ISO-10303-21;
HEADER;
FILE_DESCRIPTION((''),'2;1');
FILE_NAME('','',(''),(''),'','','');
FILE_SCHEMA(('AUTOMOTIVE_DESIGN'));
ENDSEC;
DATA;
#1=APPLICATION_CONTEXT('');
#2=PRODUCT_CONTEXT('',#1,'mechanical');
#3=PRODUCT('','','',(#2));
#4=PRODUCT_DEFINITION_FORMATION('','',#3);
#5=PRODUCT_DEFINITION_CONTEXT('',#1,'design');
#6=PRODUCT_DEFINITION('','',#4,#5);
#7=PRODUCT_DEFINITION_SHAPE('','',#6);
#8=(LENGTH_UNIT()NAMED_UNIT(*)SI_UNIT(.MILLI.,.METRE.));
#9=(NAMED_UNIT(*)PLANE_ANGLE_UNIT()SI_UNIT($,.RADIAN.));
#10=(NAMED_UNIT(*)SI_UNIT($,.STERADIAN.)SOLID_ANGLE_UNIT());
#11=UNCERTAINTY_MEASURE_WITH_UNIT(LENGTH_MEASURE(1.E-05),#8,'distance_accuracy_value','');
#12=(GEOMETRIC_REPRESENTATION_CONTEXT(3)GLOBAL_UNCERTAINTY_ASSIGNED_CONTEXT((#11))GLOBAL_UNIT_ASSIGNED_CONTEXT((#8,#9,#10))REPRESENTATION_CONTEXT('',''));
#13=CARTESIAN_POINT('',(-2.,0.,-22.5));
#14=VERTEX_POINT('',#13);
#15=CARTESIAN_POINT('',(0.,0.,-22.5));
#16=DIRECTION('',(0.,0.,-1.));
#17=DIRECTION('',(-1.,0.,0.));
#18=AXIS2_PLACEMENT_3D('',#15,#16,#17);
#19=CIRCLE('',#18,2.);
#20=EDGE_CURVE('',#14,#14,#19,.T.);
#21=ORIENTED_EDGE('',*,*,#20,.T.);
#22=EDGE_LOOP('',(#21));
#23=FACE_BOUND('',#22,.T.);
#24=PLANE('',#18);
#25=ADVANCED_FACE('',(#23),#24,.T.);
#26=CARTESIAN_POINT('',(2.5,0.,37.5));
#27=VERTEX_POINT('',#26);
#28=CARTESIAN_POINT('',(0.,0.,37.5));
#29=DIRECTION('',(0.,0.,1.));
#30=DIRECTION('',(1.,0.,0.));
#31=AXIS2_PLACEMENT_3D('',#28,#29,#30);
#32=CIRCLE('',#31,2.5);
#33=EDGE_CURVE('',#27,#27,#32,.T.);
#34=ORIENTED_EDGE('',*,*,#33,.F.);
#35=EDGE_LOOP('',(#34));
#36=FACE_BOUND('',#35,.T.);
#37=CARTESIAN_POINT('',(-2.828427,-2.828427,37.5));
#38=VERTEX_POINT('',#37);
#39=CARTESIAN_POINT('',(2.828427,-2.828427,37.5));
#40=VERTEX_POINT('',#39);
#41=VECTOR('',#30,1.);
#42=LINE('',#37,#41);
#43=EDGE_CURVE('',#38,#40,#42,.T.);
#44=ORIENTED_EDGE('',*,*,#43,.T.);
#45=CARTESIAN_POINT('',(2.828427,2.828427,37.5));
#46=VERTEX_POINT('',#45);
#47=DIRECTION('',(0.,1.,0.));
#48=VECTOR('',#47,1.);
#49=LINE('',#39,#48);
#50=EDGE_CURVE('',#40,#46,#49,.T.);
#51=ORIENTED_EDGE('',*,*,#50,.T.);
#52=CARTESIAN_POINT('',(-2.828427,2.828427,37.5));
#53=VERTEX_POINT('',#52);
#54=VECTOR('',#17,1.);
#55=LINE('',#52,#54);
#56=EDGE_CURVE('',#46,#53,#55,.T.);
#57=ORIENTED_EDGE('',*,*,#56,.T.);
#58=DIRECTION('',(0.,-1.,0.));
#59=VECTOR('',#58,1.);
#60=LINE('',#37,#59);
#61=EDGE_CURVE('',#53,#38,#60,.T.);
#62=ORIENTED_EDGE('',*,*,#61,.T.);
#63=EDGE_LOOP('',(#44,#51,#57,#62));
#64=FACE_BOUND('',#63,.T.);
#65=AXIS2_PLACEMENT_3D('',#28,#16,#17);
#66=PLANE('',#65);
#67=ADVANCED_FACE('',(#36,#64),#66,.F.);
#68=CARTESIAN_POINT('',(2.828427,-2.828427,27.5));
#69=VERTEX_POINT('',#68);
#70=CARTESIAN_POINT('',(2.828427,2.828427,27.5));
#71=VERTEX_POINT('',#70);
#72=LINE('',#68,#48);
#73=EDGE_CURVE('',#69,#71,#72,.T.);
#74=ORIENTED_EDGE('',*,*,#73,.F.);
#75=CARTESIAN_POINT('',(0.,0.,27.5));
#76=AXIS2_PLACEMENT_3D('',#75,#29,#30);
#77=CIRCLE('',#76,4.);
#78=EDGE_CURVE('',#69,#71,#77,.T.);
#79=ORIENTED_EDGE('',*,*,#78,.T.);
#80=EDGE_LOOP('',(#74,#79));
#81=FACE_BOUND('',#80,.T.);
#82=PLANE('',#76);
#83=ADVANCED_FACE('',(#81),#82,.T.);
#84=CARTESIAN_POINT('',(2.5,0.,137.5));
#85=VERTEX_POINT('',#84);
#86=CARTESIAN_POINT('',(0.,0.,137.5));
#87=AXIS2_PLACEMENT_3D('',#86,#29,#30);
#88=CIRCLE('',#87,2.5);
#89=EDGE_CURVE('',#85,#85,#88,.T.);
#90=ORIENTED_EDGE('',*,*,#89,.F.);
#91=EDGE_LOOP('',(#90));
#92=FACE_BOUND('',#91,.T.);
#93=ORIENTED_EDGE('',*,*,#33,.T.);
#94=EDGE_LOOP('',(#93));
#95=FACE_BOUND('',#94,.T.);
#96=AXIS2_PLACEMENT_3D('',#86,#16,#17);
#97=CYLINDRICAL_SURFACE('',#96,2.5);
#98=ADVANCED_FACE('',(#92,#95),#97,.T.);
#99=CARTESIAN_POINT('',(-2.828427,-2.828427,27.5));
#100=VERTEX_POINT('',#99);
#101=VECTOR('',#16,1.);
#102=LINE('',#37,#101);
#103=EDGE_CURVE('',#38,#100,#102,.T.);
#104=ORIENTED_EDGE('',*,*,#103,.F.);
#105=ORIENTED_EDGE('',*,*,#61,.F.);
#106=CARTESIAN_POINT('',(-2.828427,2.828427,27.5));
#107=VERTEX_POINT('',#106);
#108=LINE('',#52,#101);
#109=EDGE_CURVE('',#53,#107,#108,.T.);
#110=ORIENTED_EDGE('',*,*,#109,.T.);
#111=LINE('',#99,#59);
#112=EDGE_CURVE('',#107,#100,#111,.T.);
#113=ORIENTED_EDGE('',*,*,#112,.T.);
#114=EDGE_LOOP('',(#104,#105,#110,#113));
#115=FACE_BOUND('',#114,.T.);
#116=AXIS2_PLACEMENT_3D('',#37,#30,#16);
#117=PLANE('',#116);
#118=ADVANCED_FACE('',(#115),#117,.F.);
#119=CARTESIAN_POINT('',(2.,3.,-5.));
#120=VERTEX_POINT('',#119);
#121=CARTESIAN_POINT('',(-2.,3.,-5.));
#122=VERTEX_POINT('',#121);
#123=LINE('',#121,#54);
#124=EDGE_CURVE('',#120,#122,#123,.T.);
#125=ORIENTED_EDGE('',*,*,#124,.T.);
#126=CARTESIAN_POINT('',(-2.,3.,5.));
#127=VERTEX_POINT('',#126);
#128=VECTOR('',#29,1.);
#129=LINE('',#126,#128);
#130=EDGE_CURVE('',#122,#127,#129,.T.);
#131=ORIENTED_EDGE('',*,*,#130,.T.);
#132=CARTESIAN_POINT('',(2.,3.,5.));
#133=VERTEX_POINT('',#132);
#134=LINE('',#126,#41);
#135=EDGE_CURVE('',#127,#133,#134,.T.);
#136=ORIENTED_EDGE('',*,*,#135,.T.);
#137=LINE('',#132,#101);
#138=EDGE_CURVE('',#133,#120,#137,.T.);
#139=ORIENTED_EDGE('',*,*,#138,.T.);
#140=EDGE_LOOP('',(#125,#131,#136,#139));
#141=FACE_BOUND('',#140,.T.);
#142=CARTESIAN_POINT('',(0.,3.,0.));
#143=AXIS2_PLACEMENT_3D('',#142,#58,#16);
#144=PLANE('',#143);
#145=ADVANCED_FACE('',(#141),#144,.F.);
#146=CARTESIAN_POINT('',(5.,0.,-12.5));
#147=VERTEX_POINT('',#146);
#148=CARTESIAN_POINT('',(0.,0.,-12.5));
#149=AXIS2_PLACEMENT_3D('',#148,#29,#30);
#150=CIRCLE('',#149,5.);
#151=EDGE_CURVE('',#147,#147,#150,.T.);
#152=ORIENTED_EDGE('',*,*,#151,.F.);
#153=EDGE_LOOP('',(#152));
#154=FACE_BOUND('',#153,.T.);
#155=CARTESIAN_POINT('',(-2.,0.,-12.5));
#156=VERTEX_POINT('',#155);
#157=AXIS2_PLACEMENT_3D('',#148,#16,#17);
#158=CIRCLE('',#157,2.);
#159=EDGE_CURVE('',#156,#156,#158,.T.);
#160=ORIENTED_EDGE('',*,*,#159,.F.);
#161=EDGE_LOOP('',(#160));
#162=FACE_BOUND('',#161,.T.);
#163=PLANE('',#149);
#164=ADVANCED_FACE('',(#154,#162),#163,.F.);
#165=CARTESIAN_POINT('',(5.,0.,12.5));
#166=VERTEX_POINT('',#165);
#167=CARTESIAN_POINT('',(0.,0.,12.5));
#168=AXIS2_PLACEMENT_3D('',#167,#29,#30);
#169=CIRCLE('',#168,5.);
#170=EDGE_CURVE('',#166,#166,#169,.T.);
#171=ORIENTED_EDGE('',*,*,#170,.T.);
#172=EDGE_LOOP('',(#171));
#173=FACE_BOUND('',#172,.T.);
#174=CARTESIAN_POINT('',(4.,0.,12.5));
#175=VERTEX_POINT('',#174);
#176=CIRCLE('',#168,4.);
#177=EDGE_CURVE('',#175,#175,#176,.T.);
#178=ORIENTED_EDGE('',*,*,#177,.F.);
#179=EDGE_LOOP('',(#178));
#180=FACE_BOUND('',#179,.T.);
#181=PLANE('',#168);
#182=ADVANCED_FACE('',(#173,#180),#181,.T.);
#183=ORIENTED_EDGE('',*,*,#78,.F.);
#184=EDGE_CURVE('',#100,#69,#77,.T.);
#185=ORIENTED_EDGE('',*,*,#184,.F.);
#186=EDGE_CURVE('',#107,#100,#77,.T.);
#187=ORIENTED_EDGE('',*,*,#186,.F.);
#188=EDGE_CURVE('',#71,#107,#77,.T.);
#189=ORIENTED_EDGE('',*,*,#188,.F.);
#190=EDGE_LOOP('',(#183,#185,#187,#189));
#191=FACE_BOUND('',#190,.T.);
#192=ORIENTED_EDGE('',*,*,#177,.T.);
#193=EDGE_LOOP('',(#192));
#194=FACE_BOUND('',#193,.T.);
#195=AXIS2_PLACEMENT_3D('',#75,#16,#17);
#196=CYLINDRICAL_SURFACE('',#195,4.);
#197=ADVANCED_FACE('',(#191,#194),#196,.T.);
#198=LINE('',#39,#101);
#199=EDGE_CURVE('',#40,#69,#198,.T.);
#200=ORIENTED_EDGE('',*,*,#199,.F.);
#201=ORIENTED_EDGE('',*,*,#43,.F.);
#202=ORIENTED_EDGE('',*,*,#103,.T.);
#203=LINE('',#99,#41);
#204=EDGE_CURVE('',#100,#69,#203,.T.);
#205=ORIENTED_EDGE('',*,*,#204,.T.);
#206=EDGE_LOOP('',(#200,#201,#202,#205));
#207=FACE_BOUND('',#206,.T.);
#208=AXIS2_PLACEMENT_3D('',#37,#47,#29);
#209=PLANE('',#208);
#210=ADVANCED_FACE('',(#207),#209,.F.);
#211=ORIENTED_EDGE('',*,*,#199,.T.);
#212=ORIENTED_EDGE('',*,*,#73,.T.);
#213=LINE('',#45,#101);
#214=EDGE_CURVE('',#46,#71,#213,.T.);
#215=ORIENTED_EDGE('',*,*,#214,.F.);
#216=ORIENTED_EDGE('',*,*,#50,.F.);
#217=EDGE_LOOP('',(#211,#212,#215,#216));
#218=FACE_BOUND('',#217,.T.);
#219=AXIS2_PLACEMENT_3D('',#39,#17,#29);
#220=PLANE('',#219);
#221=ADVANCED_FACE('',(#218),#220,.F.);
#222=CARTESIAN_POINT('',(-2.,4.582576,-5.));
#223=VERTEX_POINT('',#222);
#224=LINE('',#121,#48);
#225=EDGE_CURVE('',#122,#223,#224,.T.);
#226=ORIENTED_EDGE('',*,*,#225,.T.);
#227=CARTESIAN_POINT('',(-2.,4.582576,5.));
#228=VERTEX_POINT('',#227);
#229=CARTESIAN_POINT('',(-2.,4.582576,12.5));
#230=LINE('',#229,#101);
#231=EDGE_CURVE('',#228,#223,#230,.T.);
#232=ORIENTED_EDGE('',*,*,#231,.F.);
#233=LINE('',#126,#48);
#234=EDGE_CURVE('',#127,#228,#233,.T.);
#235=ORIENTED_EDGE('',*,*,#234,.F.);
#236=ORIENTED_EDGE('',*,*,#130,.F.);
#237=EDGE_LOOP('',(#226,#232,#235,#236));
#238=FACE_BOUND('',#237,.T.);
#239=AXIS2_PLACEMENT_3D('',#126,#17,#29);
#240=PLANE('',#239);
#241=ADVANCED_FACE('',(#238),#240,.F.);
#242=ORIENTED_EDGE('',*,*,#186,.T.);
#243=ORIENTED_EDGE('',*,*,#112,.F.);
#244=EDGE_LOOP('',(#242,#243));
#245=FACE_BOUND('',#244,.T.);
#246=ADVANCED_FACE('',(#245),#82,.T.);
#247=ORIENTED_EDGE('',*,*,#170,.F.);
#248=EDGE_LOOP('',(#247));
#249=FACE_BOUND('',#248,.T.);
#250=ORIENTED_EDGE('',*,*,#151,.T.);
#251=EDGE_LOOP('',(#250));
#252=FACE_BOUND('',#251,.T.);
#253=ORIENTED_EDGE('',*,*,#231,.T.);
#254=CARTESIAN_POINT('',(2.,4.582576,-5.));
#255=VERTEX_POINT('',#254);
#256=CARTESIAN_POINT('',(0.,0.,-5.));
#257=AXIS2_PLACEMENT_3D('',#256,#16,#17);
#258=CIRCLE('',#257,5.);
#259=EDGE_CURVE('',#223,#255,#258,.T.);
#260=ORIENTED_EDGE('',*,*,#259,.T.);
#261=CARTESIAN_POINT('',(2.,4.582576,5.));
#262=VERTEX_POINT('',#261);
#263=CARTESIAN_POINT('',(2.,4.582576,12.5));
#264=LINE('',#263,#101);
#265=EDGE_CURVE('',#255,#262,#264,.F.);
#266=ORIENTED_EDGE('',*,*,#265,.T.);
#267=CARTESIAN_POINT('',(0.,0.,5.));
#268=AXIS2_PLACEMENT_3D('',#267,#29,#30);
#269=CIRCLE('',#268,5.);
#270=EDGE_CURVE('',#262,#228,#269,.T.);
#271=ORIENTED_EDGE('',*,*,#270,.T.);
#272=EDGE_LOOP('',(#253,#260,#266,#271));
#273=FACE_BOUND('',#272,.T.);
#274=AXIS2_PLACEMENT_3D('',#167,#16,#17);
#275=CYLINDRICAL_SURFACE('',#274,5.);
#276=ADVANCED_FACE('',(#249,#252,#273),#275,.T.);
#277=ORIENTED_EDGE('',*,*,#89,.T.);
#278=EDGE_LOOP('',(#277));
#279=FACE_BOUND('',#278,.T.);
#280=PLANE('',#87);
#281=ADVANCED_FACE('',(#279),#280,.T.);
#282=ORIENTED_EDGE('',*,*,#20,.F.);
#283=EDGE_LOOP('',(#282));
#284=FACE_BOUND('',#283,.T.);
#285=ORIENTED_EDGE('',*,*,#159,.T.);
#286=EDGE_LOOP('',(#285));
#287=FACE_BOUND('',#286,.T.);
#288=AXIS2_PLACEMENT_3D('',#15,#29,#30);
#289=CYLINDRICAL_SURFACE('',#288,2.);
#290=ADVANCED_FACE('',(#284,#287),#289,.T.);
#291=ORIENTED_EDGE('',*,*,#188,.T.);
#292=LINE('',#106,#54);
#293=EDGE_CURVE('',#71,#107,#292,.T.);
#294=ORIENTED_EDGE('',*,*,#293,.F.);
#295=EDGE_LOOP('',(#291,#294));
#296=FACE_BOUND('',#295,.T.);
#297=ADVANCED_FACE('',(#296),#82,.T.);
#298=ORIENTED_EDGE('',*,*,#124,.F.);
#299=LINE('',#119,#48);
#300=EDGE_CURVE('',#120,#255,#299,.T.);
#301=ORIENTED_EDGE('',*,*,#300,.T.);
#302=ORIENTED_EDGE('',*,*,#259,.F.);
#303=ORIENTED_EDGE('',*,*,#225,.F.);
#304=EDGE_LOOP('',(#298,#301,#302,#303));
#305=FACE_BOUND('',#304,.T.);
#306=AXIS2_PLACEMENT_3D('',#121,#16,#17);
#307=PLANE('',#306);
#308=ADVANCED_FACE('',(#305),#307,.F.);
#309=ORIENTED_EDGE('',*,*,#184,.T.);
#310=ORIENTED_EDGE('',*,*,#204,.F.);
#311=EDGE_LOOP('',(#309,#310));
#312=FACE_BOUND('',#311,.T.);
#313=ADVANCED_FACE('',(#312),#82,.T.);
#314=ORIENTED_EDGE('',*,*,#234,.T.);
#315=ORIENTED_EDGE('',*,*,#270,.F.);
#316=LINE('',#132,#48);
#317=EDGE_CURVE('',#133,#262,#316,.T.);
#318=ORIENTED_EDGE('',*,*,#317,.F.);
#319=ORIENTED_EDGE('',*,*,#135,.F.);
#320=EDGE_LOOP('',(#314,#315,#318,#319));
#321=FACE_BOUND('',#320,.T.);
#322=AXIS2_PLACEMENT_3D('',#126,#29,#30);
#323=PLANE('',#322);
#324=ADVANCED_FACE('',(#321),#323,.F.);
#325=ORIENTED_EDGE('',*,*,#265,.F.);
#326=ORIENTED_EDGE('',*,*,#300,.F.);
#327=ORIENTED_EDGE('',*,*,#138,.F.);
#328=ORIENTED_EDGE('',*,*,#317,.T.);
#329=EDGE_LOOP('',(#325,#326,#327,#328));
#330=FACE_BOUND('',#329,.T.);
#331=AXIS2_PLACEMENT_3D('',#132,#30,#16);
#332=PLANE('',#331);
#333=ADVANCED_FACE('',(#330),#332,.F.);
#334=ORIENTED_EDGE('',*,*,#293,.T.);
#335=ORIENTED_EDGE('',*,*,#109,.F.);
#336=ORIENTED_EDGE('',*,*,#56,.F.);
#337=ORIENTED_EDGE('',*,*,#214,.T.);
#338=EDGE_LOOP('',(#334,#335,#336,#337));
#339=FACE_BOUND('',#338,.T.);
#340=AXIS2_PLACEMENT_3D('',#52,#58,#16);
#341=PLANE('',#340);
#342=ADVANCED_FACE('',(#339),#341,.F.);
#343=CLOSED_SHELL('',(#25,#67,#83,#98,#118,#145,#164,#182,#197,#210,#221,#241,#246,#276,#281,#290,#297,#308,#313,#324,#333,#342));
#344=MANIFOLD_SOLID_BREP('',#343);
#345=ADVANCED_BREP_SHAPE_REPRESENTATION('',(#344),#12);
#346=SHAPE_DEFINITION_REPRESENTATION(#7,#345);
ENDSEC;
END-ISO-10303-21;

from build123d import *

# Parameters (mm, degrees)
CROQUIS1_R              = 5
SALIENTE_EXTRUIR1_DEPTH = 12.5
CROQUIS2_R              = 2
SALIENTE_EXTRUIR2_DEPTH = 10
CROQUIS3_R              = 4
SALIENTE_EXTRUIR3_DEPTH = 15
CROQUIS4_W              = 5.65685425
CROQUIS4_H              = 5.65685425
SALIENTE_EXTRUIR4_DEPTH = 10
CROQUIS5_W              = 4
CROQUIS5_H              = 10
CORTAR_EXTRUIR1_DEPTH   = 2
CROQUIS6_R              = 2.5
SALIENTE_EXTRUIR5_DEPTH = 100


with BuildPart() as part:
    # Croquis1 → Saliente-Extruir1 (new, symmetric)
    with BuildSketch(Plane.XY):
        Circle(CROQUIS1_R)
    extrude(amount=SALIENTE_EXTRUIR1_DEPTH, both=True)

    # Croquis2 → Saliente-Extruir2 (add)
    with BuildSketch(Plane(origin=(0, 0, -12.5), x_dir=(-1, 0, 0), z_dir=(0, 0, -1))):
        Circle(CROQUIS2_R)
    extrude(amount=SALIENTE_EXTRUIR2_DEPTH)

    # Croquis3 → Saliente-Extruir3 (add)
    with BuildSketch(Plane.XY.offset(12.5)):
        Circle(CROQUIS3_R)
    extrude(amount=SALIENTE_EXTRUIR3_DEPTH)

    # Croquis4 → Saliente-Extruir4 (add)
    with BuildSketch(Plane.XY.offset(27.5)):
        Rectangle(CROQUIS4_W, CROQUIS4_H)
    extrude(amount=SALIENTE_EXTRUIR4_DEPTH)

    # Croquis5 → Cortar-Extruir1 (cut)
    with BuildSketch(Plane(origin=(0, 5, 0), x_dir=(1, 0, 0), z_dir=(0, 1, 0))):
        Rectangle(CROQUIS5_W, CROQUIS5_H)
    extrude(amount=-CORTAR_EXTRUIR1_DEPTH, mode=Mode.SUBTRACT)

    # Croquis6 → Saliente-Extruir5 (add)
    with BuildSketch(Plane.XY.offset(37.5)):
        Circle(CROQUIS6_R)
    extrude(amount=SALIENTE_EXTRUIR5_DEPTH)


solid = part.part
